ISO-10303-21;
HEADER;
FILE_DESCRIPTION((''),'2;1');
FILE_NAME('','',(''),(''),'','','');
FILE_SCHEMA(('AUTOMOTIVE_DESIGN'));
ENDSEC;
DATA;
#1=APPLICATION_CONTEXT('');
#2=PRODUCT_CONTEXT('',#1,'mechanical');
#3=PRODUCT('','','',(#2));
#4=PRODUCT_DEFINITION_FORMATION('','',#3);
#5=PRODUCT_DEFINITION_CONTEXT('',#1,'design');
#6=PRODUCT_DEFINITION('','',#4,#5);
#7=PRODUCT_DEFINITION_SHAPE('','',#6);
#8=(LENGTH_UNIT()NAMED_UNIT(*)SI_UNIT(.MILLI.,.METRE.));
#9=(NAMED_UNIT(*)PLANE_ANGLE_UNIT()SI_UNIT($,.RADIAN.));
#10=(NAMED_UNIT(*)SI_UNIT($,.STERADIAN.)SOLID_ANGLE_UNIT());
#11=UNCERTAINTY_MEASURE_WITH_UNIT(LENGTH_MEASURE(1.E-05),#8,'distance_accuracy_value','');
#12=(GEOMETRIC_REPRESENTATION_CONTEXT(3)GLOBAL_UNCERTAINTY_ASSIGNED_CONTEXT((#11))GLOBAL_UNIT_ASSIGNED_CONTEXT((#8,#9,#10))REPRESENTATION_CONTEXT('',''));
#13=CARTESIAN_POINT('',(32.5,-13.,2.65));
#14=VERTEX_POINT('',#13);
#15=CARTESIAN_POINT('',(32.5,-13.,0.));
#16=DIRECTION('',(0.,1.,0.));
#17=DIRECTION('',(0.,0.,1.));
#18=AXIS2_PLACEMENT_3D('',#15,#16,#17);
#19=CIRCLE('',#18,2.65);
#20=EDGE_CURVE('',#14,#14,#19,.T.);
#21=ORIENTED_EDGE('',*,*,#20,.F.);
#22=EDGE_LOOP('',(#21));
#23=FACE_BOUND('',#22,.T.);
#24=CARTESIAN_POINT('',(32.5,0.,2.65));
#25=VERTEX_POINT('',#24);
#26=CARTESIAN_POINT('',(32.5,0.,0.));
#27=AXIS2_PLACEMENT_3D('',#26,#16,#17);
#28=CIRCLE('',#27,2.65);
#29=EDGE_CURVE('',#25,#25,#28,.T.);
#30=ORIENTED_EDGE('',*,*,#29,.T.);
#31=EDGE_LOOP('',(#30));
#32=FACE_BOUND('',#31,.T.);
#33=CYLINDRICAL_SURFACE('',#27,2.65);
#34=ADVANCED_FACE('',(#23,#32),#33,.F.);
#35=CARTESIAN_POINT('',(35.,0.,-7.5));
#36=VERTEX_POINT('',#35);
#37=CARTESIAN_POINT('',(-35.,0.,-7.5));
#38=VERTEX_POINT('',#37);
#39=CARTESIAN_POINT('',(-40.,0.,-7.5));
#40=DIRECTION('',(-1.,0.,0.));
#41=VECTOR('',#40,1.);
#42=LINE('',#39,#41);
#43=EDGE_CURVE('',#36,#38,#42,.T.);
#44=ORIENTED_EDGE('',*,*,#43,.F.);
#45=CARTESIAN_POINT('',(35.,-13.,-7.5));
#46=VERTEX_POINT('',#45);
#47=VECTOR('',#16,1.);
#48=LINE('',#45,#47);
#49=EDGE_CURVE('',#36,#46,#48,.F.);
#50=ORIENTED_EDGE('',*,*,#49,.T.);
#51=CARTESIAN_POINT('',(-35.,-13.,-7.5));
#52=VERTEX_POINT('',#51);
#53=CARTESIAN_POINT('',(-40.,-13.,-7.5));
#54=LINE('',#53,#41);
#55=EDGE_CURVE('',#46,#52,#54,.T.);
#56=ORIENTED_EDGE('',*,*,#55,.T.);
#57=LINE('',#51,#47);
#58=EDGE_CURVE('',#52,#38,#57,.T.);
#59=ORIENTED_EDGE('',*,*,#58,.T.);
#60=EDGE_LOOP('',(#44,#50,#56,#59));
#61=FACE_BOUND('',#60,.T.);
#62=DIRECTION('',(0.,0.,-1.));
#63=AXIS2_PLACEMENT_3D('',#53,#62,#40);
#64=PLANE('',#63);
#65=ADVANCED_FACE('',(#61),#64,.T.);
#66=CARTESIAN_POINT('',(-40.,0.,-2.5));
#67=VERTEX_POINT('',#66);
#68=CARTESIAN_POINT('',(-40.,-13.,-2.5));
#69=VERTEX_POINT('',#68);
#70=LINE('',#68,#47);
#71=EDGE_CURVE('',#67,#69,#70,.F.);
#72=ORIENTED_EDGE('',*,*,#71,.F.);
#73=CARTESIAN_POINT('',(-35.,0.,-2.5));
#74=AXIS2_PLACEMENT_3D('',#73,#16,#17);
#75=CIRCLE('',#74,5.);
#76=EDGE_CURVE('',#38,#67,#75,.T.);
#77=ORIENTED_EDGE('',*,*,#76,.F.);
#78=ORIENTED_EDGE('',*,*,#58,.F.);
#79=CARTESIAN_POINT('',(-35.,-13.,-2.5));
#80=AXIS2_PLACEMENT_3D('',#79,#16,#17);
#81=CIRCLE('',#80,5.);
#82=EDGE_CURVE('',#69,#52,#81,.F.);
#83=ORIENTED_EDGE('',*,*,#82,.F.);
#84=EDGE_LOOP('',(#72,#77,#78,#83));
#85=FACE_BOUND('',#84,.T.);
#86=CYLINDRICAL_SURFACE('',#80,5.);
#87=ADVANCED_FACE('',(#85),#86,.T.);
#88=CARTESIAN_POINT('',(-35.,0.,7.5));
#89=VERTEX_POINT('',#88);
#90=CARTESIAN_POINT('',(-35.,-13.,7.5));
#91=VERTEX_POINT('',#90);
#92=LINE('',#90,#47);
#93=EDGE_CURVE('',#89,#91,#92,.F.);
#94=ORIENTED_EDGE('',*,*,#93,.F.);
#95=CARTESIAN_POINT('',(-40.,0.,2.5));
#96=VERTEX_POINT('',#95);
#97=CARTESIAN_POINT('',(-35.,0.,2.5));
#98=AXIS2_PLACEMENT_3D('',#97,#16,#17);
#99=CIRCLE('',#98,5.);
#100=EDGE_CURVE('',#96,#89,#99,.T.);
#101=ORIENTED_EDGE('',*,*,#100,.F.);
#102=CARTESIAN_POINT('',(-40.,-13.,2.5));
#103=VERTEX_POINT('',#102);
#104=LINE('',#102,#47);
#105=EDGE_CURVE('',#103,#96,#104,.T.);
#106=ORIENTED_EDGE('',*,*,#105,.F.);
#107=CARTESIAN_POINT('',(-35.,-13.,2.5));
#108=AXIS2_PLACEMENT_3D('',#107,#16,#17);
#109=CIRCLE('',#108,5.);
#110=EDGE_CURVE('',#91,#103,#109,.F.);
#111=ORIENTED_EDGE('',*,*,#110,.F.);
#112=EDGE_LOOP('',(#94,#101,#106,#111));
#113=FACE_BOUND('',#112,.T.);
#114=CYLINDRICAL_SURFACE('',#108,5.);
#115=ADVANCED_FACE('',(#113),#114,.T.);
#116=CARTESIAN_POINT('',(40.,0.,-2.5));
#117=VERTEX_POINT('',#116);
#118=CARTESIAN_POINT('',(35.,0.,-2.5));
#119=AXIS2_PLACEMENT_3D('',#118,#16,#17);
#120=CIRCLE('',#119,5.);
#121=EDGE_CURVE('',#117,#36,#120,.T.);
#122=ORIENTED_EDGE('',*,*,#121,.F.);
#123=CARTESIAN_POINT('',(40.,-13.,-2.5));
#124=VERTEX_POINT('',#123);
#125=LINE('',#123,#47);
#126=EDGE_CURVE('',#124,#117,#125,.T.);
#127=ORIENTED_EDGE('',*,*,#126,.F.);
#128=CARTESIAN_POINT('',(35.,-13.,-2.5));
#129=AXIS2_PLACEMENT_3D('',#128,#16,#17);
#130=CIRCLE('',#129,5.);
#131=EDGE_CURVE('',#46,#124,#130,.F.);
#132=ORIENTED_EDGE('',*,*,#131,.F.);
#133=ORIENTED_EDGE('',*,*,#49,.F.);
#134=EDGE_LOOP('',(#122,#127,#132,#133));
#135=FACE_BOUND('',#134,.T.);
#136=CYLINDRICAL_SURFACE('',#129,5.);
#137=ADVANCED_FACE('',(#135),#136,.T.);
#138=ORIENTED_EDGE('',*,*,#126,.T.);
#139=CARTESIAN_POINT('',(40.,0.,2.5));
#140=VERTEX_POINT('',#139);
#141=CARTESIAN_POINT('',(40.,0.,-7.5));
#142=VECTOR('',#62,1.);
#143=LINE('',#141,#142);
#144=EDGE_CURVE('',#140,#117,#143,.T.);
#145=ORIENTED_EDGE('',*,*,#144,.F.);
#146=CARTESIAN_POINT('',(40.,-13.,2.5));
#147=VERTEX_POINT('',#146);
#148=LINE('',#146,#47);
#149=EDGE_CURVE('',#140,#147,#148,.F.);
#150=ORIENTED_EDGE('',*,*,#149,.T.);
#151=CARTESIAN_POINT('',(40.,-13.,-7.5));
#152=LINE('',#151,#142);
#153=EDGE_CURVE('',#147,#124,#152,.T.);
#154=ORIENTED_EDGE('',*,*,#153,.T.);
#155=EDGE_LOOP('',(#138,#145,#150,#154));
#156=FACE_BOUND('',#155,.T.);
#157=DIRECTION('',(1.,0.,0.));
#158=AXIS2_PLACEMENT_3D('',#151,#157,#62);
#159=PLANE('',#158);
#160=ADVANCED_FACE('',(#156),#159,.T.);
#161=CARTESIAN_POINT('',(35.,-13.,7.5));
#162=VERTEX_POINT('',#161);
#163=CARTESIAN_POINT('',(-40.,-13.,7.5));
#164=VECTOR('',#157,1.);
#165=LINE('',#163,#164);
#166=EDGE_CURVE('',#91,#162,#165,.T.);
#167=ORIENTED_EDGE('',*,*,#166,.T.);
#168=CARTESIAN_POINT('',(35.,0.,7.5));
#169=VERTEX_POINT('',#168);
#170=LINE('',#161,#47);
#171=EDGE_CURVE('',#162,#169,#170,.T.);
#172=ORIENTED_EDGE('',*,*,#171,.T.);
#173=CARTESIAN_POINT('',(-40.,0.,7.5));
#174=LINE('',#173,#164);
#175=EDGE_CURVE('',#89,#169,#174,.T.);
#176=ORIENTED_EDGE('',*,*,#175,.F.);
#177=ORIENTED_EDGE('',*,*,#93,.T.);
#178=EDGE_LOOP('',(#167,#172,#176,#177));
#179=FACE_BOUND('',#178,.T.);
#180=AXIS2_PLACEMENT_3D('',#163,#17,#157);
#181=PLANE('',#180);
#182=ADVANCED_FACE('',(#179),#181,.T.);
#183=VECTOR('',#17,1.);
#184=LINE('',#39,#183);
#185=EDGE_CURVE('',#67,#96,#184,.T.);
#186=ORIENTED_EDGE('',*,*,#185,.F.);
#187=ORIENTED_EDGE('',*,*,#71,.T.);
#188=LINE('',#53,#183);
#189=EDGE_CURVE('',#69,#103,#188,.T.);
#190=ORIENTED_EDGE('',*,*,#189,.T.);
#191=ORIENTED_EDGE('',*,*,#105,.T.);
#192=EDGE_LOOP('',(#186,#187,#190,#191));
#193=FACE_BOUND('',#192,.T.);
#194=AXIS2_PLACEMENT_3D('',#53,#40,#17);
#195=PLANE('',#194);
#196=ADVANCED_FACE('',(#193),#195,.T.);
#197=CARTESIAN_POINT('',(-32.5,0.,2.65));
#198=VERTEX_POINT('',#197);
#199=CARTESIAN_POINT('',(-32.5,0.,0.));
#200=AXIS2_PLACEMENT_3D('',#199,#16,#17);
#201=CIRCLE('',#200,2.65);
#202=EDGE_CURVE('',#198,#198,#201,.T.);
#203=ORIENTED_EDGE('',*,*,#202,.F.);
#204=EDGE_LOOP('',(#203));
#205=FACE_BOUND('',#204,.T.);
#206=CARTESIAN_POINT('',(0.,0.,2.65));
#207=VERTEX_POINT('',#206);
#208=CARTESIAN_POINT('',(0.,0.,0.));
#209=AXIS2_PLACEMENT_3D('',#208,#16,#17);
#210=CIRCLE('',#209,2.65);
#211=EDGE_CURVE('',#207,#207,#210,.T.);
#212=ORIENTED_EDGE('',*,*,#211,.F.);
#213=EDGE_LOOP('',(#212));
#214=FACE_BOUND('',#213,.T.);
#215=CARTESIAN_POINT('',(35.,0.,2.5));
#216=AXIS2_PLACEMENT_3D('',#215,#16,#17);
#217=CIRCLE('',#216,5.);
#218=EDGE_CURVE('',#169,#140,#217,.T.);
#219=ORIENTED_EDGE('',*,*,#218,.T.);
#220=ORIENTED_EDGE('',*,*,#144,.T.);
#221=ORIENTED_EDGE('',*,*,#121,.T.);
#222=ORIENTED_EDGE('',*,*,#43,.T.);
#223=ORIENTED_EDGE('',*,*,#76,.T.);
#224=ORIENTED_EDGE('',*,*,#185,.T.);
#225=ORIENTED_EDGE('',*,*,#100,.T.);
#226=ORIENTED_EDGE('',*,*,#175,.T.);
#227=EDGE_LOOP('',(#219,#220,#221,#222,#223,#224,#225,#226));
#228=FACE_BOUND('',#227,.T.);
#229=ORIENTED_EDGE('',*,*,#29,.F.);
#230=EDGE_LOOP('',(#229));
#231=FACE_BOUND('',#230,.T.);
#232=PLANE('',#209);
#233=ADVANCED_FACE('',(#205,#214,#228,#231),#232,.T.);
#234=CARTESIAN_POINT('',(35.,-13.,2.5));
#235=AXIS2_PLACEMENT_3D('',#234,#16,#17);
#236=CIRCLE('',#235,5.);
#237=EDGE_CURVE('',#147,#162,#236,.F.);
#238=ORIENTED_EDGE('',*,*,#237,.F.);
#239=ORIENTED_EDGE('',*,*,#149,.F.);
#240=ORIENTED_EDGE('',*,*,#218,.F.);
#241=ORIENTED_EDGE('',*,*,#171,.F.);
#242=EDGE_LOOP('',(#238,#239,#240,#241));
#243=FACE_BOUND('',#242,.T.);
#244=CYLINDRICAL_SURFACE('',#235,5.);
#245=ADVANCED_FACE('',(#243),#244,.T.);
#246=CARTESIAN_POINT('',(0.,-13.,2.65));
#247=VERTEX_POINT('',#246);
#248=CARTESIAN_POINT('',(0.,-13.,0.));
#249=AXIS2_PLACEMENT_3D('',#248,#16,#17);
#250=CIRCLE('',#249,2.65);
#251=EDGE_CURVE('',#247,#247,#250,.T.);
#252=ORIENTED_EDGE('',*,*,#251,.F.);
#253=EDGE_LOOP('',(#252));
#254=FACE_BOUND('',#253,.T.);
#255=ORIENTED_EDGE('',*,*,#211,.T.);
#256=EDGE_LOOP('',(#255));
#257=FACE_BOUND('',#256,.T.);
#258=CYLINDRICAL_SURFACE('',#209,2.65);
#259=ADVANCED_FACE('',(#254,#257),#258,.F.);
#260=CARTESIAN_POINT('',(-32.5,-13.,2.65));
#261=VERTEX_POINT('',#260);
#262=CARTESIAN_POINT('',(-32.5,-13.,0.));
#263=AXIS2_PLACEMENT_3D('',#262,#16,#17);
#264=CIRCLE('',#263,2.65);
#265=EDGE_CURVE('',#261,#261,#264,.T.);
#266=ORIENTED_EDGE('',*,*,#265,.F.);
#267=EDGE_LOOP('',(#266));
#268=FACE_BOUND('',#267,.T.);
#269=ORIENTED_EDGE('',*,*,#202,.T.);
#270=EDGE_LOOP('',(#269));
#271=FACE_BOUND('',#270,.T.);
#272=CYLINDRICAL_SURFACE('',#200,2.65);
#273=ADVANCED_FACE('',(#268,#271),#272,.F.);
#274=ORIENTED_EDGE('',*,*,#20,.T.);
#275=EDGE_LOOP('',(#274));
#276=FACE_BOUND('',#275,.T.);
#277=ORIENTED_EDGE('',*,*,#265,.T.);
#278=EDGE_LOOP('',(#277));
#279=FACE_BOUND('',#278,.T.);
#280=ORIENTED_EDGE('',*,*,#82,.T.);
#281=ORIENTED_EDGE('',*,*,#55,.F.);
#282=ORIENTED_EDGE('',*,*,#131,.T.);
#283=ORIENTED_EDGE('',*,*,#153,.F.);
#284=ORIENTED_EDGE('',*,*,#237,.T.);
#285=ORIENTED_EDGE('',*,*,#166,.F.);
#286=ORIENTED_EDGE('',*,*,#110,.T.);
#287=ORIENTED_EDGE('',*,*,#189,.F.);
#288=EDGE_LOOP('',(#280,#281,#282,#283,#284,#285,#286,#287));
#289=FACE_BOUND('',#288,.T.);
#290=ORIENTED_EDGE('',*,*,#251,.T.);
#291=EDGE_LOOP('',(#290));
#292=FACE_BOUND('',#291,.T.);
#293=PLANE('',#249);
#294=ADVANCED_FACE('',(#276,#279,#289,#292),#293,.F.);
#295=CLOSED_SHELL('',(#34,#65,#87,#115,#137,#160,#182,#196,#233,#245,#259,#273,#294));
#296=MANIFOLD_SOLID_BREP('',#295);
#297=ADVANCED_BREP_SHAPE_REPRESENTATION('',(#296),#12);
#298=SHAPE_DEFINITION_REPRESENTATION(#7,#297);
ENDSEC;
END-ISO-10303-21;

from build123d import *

# Parameters (mm, degrees)
SKETCH1_W            = 80
SKETCH1_H            = 15
BOSS_EXTRUDE1_DEPTH  = 13
M5_CLEARANCE_HOLE1_D = 5.3
FILLET1_R            = 5


with BuildPart() as part:
    # Sketch1 → Boss-Extrude1 (new body)
    with BuildSketch(Plane(origin=(0, 0, 0), x_dir=(1, 0, 0), z_dir=(0, 1, 0))):
        Rectangle(SKETCH1_W, SKETCH1_H)
    extrude(amount=-BOSS_EXTRUDE1_DEPTH)

    # M5 Clearance Hole1 (through all)
    with Locations(Plane(origin=(-32.5, 0, 0), x_dir=(0, 0, 1), z_dir=(0, 1, 0))):
        with Locations((0, 0), (0, 32.5), (0, 65)):
            Hole(M5_CLEARANCE_HOLE1_D / 2)

    # Fillet1
    fillet1_edges = [part.edges().sort_by_distance(p)[0] for p in [
        (-40, -6.5, -7.5),
        (40, -6.5, -7.5),
        (40, -6.5, 7.5),
        (-40, -6.5, 7.5),
    ]]
    fillet(fillet1_edges, radius=FILLET1_R)


solid = part.part
